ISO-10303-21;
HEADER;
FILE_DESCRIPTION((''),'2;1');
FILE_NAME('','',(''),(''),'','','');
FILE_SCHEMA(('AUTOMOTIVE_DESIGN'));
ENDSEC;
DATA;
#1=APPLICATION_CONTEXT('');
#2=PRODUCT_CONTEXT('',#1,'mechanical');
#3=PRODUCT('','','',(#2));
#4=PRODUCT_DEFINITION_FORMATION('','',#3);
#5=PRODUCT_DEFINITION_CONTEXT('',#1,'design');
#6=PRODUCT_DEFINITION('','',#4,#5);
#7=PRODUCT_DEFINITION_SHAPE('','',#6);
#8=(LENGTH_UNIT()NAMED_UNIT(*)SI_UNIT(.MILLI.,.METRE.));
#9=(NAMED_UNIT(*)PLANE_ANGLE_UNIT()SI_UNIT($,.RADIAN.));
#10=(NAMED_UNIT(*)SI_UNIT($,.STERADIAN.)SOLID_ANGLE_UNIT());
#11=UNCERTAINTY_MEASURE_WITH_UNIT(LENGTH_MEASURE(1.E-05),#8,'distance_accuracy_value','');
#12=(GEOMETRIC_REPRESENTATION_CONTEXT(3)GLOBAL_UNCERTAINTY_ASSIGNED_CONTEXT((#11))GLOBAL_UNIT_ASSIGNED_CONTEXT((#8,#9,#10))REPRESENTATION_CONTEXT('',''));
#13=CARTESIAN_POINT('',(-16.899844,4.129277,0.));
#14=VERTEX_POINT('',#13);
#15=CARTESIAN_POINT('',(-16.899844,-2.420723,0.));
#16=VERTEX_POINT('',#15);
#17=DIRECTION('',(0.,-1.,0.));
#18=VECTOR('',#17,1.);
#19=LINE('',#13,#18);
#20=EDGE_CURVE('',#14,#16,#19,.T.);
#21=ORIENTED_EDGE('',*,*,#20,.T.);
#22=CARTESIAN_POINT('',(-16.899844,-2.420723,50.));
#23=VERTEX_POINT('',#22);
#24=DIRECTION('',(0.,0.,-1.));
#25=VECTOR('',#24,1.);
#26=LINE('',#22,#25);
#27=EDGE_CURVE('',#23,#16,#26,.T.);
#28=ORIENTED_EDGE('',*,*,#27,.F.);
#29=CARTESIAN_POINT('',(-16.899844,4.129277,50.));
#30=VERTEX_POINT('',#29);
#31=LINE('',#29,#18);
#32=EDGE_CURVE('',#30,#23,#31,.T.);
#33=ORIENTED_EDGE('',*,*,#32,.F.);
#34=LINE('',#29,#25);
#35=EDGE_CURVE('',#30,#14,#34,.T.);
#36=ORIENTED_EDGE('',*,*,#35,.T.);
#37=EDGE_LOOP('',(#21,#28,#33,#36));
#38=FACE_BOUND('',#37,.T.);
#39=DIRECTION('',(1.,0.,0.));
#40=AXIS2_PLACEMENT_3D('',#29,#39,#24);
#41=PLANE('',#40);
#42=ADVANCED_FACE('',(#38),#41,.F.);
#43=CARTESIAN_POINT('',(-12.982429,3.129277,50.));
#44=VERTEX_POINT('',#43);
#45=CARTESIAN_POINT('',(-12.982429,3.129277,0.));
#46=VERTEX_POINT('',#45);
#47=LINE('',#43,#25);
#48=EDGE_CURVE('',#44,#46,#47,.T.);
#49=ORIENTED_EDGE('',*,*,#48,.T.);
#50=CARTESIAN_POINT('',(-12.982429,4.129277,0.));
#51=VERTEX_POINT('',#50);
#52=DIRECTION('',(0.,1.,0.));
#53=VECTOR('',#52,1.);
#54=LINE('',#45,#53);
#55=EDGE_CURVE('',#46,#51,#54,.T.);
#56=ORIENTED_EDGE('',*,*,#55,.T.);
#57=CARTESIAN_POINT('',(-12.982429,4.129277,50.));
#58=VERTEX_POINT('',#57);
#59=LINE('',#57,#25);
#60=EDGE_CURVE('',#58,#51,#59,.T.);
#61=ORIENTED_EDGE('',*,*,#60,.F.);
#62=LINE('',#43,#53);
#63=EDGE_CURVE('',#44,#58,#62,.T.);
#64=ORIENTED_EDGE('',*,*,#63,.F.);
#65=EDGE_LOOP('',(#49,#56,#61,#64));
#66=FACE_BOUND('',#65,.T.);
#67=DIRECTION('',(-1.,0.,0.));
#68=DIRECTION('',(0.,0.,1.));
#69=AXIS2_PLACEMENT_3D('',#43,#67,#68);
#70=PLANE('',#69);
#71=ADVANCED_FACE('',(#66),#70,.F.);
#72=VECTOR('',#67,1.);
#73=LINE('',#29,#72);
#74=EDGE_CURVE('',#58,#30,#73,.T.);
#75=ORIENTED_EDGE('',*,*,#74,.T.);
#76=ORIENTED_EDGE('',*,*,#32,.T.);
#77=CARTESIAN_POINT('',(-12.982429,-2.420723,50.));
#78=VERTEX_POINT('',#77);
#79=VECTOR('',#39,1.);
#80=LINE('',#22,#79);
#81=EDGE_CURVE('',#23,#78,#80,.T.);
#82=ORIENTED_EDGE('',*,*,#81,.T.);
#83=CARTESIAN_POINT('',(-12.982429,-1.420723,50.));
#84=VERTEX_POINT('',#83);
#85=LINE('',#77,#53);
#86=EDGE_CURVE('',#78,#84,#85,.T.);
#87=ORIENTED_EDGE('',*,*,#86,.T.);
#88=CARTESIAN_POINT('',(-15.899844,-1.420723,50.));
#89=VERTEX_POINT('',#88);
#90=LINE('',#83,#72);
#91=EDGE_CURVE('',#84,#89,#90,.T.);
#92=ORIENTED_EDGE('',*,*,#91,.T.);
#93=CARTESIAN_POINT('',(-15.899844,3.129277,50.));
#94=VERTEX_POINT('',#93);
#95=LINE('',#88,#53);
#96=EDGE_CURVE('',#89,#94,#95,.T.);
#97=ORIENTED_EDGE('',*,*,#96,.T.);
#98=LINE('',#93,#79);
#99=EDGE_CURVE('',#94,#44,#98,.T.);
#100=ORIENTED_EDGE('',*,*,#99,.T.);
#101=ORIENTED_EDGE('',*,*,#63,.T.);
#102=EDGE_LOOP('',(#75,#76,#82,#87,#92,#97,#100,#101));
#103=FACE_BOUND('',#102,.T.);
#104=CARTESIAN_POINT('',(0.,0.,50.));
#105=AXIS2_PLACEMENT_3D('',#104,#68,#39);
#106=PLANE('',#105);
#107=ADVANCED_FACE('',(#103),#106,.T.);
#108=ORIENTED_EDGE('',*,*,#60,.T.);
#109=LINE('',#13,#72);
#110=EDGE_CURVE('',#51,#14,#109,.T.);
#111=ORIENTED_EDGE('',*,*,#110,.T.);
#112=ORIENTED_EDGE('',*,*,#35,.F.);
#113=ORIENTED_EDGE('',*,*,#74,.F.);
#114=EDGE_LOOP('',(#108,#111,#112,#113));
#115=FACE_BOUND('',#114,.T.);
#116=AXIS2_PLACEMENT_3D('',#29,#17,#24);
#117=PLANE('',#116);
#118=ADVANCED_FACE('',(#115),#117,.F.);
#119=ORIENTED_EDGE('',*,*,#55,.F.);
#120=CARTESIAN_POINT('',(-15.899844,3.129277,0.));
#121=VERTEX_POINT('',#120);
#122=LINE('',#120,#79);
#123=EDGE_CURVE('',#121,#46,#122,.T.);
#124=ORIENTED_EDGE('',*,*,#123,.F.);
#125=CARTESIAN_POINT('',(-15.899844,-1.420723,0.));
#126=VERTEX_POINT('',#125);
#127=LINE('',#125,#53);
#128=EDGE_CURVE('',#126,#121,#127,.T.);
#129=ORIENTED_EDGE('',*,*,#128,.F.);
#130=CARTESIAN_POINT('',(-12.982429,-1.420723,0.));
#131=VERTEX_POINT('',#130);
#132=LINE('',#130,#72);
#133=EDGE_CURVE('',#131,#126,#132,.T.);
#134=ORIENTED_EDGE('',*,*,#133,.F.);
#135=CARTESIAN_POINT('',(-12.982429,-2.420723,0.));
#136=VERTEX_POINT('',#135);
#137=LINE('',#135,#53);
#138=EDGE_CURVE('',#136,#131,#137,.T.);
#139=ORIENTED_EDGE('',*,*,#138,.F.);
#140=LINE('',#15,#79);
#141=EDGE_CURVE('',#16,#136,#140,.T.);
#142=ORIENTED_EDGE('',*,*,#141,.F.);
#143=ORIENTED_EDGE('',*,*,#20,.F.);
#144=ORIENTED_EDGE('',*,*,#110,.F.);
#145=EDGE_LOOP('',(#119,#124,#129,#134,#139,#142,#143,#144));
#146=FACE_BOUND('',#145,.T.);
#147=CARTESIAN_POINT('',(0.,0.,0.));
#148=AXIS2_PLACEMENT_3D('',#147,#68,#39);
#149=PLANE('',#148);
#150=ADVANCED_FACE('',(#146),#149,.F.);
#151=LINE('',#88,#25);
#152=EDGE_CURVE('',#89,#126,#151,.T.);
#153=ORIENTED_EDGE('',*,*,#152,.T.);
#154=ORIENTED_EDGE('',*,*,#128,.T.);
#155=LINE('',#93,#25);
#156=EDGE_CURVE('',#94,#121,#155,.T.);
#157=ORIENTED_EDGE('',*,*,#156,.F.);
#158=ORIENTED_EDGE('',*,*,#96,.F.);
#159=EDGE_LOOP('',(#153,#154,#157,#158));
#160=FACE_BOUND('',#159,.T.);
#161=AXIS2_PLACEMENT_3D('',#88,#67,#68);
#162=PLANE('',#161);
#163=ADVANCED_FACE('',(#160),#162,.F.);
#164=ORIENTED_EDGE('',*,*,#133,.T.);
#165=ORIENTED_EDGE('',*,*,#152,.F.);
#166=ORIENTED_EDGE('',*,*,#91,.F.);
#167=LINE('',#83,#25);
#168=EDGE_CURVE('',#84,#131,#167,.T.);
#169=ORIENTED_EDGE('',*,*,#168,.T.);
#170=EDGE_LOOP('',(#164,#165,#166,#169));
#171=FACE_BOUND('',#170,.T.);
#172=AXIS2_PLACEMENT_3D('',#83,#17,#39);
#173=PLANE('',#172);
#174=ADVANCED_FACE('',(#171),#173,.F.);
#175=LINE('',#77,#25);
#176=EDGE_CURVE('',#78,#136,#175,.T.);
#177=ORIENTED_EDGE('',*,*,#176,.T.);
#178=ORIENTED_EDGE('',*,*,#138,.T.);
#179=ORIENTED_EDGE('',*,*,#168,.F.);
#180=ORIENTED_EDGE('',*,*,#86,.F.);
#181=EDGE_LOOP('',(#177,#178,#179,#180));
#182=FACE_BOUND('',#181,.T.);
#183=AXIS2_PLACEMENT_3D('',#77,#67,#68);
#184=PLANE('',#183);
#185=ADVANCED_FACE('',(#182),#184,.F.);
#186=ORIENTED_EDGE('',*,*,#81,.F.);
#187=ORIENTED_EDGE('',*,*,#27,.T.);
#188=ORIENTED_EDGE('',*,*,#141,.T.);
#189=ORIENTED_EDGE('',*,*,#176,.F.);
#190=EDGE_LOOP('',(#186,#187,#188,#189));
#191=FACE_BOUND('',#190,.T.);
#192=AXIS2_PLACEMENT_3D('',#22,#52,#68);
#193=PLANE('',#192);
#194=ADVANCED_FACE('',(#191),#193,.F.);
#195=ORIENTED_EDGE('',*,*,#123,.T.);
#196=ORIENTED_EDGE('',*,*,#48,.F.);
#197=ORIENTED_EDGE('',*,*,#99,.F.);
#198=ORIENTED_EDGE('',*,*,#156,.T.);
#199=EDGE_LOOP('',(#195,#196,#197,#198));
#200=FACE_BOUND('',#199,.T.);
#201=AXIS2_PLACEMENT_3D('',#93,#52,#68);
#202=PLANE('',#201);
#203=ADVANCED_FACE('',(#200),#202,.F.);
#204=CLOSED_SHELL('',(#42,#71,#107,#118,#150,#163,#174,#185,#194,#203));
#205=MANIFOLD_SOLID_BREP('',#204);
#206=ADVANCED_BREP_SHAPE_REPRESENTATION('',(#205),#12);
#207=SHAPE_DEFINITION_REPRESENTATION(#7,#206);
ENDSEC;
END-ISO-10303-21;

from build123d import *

# Parameters (mm, degrees)
BOSS_EXTRUDE1_DEPTH = 50


with BuildPart() as part:
    # Sketch1 → Boss-Extrude1 (new body)
    with BuildSketch(Plane.XY):
        Polygon((-12.982429164, -2.420723387), (-12.982429164, -1.420723387), (-15.899843623, -1.420723387), (-15.899843623, 3.129276613), (-12.982429164, 3.129276613), (-12.982429164, 4.129276613), (-16.899843623, 4.129276613), (-16.899843623, -2.420723387), align=None)
    extrude(amount=BOSS_EXTRUDE1_DEPTH)


solid = part.part
